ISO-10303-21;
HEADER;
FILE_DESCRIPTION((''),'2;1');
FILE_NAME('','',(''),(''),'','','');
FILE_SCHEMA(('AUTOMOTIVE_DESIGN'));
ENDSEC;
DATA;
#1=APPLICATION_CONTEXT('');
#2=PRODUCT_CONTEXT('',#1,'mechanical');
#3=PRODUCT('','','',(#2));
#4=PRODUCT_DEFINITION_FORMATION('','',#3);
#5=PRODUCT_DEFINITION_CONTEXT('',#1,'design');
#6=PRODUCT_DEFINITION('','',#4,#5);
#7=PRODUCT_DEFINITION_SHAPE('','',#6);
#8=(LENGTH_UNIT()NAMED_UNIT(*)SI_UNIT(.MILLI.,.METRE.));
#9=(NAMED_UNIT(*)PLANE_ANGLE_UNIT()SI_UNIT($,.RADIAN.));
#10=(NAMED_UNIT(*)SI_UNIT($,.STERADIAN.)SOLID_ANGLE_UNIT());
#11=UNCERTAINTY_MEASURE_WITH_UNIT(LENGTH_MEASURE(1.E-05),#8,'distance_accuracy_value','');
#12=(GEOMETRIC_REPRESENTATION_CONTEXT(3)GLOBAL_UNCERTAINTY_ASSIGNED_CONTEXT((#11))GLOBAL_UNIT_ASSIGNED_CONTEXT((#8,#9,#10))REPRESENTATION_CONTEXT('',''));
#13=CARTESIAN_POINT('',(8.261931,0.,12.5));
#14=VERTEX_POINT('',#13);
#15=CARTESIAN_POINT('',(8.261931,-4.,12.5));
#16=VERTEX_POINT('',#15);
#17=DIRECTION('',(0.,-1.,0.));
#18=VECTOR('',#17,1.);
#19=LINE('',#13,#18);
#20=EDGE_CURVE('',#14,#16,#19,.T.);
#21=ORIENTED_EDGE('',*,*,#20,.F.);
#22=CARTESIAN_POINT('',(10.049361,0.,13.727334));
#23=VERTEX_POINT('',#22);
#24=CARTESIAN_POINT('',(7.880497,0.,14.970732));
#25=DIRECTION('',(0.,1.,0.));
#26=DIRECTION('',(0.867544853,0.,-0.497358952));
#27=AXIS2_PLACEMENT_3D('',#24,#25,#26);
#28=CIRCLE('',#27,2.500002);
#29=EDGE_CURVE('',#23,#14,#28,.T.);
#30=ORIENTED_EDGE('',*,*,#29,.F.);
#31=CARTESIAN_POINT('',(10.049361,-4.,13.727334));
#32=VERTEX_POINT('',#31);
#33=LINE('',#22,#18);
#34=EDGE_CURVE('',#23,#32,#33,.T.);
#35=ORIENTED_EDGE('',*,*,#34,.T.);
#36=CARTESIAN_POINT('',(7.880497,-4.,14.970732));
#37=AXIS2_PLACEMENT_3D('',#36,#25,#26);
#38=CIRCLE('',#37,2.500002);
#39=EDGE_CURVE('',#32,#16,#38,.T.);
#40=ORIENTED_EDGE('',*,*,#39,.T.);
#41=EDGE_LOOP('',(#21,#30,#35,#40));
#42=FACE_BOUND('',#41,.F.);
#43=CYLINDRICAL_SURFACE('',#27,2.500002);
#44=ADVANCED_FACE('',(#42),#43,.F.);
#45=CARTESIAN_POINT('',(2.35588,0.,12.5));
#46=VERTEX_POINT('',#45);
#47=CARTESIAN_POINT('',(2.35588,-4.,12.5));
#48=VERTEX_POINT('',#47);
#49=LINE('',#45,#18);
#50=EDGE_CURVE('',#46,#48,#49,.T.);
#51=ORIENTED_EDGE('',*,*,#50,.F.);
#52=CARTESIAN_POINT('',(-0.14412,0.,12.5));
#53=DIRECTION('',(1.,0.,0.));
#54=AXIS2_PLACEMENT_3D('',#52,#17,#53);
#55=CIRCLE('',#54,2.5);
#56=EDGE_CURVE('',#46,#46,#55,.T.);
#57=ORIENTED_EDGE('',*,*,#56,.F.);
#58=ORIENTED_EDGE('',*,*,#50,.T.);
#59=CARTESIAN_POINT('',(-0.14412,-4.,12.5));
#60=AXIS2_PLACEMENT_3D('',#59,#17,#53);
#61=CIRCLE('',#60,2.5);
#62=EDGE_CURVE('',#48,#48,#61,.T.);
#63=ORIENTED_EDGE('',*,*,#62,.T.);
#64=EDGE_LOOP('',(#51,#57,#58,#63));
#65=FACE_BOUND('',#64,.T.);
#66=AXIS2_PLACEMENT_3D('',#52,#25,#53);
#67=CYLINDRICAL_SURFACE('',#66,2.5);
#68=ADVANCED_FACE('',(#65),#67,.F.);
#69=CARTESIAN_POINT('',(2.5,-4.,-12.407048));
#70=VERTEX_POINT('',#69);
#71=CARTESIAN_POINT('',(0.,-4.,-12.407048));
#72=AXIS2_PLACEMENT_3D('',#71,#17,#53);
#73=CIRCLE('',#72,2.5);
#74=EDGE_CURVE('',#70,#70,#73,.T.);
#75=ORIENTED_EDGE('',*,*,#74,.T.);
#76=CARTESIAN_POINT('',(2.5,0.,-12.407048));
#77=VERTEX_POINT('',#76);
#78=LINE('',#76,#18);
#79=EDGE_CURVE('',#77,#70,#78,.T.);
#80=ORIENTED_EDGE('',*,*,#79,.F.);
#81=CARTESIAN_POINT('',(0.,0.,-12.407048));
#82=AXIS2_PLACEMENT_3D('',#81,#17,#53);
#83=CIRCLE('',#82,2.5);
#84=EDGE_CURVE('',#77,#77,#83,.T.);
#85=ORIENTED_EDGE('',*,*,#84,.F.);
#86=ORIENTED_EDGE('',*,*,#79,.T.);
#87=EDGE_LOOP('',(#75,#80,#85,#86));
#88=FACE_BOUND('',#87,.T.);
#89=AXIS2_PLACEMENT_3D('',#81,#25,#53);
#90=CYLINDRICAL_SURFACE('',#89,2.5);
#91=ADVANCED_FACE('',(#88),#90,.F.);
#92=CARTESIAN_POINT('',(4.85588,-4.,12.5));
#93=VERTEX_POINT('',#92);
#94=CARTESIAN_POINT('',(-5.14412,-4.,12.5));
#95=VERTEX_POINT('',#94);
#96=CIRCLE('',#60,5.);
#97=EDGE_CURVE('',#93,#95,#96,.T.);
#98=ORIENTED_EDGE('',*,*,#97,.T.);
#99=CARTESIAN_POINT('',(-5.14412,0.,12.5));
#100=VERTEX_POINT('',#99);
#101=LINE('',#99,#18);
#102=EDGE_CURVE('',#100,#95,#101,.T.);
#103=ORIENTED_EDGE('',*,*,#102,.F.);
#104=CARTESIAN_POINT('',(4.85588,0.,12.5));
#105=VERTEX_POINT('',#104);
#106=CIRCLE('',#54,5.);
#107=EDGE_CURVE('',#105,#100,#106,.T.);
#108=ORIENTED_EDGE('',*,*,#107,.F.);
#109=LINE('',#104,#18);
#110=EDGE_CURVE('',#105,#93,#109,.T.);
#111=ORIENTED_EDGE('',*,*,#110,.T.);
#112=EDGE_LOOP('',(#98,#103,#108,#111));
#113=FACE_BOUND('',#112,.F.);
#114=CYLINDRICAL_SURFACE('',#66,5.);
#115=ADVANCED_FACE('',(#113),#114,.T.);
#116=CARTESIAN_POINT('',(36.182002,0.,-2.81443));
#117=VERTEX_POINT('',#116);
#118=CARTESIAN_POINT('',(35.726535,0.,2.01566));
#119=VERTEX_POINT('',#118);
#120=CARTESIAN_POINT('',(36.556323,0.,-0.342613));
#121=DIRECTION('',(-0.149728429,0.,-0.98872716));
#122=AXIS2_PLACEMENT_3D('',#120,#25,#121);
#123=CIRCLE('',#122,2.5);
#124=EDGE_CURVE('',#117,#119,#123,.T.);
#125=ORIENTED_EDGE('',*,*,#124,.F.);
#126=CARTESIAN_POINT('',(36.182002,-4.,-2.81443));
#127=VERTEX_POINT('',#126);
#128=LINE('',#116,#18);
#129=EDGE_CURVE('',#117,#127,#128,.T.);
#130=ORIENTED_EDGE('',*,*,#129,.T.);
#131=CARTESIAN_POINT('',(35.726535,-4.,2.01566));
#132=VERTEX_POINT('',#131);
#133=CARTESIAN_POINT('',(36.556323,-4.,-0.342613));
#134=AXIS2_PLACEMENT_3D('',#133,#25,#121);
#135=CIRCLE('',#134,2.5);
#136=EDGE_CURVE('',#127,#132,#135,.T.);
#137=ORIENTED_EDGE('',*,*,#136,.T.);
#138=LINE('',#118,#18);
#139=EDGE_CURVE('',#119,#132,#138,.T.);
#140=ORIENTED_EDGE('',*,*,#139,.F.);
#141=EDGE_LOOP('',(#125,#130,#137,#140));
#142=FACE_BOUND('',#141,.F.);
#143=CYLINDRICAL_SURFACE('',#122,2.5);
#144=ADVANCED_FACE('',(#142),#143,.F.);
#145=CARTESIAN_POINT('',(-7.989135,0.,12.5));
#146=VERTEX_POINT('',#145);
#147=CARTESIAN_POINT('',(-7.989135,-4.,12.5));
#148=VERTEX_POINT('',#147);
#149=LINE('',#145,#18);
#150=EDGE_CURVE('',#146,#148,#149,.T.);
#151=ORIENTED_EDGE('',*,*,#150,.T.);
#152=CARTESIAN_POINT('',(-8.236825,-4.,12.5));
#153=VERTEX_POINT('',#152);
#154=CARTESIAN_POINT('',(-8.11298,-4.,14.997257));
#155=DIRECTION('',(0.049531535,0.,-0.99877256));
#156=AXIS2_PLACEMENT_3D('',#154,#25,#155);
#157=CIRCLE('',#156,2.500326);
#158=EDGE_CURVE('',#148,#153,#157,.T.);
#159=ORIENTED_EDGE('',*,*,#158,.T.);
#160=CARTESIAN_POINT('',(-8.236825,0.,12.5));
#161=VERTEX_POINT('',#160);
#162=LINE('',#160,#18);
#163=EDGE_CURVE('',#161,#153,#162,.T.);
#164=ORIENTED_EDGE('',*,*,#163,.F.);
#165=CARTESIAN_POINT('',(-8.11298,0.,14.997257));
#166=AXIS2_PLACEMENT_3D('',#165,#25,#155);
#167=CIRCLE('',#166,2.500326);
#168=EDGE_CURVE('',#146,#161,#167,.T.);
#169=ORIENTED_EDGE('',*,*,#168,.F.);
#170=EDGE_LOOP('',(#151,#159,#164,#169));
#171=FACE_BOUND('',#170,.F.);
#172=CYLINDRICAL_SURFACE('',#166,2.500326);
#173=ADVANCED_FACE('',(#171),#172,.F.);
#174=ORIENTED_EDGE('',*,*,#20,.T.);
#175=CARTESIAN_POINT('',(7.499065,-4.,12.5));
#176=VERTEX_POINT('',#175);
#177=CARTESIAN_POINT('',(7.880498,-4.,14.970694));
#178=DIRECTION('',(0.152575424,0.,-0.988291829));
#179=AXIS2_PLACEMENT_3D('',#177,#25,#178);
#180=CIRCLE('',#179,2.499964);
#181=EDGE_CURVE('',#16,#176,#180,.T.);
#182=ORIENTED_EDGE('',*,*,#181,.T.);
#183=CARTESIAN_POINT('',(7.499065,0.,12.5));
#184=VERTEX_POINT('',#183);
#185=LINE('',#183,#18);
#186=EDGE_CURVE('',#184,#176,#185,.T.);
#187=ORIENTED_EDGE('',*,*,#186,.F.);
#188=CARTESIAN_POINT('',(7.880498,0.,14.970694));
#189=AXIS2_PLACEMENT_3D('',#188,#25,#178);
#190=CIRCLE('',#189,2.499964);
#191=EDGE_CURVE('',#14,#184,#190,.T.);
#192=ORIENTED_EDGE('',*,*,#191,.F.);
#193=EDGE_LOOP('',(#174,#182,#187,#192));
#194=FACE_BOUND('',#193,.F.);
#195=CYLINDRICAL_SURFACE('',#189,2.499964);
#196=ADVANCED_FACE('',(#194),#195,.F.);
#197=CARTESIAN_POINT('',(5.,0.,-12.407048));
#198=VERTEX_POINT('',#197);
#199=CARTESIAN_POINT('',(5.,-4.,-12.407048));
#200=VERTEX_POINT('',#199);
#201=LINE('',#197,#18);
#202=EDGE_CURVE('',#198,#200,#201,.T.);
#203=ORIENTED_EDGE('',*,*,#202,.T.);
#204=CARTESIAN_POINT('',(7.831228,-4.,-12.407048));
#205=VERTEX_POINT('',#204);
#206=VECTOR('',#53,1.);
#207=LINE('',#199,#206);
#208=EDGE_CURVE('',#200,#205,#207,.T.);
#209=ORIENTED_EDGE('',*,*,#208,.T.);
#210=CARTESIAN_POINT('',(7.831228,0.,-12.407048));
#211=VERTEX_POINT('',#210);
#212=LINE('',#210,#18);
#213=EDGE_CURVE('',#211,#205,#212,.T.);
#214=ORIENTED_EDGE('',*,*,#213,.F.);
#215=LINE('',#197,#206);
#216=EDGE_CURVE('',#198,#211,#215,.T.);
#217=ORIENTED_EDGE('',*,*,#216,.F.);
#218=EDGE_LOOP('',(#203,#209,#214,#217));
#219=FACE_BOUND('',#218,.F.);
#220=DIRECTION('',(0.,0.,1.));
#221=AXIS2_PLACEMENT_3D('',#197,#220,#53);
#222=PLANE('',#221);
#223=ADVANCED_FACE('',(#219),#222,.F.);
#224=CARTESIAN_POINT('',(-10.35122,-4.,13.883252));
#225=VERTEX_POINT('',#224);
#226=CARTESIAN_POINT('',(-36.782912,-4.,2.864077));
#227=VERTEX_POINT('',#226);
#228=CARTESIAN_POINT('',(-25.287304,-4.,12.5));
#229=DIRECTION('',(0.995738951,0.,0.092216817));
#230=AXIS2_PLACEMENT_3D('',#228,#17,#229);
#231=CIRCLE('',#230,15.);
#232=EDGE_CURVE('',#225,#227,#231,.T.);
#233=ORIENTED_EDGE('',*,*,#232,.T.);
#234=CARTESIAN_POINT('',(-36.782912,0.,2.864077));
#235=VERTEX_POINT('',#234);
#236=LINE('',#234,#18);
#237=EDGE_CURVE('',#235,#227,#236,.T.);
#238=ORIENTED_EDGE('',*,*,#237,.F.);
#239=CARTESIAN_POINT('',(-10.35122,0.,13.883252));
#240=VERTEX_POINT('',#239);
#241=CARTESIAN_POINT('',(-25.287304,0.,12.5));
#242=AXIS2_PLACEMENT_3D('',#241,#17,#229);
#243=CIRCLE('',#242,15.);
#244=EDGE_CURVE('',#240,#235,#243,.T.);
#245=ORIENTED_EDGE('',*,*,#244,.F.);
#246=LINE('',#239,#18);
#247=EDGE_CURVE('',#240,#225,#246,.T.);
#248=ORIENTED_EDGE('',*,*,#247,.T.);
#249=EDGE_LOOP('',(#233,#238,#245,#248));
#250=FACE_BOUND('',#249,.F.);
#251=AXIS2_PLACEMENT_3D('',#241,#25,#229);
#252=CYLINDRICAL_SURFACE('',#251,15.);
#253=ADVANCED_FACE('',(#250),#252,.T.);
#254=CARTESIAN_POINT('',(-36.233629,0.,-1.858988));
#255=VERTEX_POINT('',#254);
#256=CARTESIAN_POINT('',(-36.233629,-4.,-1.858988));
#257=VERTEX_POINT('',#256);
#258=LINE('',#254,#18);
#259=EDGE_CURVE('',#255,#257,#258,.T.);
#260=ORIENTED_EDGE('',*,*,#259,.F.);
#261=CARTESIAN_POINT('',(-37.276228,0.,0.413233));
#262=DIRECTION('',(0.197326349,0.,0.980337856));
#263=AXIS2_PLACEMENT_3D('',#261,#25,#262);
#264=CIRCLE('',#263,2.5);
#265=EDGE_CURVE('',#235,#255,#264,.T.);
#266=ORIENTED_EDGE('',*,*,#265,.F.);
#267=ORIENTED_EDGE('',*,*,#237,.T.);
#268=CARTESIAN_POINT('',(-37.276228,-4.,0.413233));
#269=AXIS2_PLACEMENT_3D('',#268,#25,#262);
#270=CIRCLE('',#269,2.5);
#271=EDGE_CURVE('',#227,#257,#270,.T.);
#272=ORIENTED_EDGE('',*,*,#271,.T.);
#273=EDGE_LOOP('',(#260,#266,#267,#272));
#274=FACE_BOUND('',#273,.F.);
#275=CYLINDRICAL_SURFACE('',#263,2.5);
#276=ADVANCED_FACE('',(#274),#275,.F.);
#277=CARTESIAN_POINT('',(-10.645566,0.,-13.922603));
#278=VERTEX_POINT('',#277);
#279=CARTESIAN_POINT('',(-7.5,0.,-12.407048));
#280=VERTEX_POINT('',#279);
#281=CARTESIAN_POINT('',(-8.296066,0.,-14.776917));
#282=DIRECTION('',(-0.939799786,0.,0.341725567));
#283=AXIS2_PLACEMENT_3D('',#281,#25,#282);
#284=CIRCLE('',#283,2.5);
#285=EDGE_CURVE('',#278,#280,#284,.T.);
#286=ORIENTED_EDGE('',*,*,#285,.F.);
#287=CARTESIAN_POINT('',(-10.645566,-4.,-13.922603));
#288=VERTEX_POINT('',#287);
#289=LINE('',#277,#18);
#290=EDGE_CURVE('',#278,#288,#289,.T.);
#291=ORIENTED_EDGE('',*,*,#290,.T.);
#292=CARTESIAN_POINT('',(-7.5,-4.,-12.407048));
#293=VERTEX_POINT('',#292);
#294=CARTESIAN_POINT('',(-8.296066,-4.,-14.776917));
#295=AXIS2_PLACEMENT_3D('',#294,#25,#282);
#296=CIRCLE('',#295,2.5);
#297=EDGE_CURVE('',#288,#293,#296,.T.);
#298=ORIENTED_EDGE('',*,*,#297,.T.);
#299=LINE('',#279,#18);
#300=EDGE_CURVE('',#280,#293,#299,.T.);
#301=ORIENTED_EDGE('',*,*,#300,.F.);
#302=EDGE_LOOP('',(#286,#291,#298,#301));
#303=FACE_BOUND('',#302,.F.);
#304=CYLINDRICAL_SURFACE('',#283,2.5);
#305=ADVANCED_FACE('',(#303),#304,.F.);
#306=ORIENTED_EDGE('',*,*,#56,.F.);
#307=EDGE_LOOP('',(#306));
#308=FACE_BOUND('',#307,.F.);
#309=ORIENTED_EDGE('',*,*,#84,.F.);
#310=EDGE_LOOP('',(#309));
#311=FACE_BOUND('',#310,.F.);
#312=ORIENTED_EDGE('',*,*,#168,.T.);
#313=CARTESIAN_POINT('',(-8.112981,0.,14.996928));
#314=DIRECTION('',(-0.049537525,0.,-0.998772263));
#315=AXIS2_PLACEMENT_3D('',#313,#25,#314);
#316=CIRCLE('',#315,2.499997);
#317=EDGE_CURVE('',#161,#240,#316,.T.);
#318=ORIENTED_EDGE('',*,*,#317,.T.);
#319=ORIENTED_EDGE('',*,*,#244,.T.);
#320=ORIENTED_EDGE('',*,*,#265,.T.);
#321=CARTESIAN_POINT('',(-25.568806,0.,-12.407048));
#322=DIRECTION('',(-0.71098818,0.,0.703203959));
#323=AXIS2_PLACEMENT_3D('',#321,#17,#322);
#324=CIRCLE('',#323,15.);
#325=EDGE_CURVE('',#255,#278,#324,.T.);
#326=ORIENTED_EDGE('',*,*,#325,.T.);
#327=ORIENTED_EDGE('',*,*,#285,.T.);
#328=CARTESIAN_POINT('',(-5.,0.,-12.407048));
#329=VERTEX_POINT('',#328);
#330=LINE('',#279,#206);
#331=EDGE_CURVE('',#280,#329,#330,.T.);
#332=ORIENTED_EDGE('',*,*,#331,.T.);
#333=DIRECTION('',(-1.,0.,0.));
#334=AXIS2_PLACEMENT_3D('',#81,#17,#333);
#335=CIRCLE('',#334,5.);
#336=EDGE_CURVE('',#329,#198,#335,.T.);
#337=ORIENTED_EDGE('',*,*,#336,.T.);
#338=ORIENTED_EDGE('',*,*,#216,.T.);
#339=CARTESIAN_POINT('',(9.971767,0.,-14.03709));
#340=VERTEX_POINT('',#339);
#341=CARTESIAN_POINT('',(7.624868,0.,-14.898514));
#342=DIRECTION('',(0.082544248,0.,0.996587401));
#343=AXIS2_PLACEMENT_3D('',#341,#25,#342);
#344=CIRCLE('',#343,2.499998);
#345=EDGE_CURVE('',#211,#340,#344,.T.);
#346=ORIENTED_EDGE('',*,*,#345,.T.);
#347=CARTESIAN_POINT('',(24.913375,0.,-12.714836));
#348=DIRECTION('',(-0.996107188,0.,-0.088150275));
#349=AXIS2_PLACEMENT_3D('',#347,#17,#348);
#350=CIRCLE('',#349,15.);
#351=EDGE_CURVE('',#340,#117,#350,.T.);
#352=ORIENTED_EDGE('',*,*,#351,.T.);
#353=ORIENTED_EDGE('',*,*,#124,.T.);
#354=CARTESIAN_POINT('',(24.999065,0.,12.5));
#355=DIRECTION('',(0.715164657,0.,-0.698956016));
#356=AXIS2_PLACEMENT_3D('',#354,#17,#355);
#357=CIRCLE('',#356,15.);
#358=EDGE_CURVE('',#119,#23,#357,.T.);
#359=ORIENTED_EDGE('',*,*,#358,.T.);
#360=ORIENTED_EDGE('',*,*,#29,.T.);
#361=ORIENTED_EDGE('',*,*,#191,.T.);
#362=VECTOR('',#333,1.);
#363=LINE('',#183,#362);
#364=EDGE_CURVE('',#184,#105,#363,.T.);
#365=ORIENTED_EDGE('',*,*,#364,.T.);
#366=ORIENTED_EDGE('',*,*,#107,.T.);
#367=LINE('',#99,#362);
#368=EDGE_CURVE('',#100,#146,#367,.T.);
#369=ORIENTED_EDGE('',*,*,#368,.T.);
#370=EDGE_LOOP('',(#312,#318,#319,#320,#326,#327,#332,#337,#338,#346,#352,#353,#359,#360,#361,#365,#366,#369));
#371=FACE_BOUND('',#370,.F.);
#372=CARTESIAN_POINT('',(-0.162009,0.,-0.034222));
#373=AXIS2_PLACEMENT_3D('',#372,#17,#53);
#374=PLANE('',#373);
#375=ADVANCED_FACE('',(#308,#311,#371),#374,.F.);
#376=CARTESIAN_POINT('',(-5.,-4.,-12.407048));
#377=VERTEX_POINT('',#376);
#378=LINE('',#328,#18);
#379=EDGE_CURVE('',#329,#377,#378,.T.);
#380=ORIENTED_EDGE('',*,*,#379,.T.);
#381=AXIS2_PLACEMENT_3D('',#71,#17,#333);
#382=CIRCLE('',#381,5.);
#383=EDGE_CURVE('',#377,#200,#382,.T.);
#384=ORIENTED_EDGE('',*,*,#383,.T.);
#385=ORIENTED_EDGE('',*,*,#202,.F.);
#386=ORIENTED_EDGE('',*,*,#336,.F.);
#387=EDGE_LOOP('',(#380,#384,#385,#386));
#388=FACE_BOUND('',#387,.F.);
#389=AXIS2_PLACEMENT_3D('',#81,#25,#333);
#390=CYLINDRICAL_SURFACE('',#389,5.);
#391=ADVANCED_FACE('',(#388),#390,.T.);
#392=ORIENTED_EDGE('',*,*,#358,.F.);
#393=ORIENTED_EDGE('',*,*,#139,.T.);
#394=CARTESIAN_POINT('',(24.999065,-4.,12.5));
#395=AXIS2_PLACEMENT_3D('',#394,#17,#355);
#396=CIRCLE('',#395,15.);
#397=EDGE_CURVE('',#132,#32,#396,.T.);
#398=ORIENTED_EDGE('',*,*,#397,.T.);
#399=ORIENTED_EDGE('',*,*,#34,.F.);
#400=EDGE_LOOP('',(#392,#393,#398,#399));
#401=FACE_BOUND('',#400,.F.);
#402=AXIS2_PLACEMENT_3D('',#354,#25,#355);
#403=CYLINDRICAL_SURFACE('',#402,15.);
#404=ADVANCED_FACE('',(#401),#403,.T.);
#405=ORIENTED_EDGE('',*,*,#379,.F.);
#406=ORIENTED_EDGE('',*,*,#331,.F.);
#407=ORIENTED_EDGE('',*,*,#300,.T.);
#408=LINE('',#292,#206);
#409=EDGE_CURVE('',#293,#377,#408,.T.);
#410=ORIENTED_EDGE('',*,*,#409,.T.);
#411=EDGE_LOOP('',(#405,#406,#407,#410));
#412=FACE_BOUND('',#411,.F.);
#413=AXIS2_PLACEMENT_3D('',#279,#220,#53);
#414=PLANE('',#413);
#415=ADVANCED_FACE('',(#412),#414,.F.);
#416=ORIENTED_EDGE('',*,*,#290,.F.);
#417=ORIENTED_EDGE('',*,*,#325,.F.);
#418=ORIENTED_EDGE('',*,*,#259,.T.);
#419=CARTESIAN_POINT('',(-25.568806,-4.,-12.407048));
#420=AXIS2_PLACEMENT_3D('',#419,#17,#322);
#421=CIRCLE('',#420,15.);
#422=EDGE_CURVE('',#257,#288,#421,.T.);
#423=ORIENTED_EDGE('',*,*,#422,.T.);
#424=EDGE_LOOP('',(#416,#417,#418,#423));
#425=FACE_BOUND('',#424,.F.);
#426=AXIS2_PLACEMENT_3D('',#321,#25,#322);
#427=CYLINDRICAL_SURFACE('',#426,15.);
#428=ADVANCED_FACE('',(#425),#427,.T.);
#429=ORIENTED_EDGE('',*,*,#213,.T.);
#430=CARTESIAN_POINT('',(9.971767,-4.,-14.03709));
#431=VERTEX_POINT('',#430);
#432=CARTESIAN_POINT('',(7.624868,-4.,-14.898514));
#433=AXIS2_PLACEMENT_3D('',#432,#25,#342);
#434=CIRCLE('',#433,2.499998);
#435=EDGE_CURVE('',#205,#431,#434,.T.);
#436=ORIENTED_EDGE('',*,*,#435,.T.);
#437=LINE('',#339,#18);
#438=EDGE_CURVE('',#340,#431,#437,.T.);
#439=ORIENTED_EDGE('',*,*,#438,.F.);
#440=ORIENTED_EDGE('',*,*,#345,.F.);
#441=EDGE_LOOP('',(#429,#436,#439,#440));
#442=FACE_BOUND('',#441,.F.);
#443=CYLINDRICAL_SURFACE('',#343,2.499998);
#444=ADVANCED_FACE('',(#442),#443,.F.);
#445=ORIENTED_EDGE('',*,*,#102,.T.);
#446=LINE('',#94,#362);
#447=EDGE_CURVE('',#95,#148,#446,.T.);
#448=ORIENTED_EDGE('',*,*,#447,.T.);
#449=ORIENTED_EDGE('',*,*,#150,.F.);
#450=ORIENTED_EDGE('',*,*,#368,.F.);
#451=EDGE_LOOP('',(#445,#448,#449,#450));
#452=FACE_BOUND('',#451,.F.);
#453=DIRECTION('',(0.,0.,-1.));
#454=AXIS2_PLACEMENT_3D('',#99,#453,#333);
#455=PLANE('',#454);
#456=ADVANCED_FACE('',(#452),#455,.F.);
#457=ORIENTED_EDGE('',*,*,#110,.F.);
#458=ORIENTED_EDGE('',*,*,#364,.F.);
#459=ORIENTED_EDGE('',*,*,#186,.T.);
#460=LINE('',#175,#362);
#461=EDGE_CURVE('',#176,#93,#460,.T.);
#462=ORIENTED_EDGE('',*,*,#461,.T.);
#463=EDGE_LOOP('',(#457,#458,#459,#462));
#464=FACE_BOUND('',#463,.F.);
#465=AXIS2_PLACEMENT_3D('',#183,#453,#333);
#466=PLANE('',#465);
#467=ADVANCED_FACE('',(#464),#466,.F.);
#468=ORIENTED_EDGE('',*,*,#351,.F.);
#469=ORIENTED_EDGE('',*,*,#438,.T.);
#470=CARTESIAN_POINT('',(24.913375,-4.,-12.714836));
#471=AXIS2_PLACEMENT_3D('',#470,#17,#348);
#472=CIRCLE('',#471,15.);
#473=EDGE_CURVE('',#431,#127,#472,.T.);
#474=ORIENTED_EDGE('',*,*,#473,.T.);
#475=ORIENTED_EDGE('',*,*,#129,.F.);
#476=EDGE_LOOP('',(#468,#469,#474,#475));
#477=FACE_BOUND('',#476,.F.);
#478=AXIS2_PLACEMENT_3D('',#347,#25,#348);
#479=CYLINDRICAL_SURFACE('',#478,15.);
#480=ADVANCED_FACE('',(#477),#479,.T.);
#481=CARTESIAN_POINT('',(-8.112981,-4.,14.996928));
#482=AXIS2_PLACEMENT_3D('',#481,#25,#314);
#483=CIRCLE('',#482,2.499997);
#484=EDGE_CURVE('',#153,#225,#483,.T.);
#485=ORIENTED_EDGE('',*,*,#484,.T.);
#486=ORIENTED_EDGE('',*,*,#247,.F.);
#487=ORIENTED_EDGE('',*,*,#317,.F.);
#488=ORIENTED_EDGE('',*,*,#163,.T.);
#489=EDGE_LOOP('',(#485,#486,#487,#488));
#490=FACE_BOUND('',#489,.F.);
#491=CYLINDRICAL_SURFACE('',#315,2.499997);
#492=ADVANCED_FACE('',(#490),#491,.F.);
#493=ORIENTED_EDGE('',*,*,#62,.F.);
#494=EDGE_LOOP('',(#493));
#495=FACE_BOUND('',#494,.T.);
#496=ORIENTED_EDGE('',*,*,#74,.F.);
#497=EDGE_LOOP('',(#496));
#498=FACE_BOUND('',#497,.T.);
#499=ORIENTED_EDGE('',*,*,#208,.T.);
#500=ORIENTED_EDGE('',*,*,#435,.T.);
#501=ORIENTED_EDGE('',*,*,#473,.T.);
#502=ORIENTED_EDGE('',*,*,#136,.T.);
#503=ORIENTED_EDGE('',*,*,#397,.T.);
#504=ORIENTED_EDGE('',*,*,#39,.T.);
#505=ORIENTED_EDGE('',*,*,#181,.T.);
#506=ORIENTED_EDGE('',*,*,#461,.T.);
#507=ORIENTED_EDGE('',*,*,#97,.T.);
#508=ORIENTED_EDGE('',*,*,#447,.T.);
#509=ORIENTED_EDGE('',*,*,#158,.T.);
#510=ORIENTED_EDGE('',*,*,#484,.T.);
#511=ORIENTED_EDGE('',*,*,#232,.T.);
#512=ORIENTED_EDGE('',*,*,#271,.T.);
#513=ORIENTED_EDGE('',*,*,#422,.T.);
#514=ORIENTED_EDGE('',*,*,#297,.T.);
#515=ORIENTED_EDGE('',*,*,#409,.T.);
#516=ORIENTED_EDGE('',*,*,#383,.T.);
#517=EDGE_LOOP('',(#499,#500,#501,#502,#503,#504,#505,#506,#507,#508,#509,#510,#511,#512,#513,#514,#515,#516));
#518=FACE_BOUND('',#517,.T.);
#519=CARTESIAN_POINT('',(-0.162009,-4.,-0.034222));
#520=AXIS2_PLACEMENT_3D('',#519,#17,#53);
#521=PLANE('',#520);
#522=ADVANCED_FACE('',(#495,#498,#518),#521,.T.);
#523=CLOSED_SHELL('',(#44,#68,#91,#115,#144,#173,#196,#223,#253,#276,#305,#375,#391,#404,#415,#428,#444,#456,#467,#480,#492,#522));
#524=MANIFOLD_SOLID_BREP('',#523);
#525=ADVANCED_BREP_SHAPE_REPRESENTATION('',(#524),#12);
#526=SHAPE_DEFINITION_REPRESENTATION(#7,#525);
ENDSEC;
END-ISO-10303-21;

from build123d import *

# Parameters (mm, degrees)
F0_R     = 2.5
F1_DEPTH = 4


with BuildPart() as f1:
    # F0 (on Front) → F1 (new body)
    with BuildSketch(Plane.XZ):
        with BuildLine():
            ThreePointArc((-7.989135, 12.5), (-8.11298, 12.496931), (-8.236825, 12.5))
            ThreePointArc((-8.236825, 12.5), (-9.481632, 12.904852), (-10.35122, 13.883252))
            ThreePointArc((-10.35122, 13.883252), (-31.0592, 26.345043), (-36.782912, 2.864077))
            ThreePointArc((-36.782912, 2.864077), (-34.792965, 0.702031), (-36.233629, -1.858988))
            ThreePointArc((-36.233629, -1.858988), (-31.965386, -25.974795), (-10.645566, -13.922603))
            ThreePointArc((-10.645566, -13.922603), (-9.3812, -12.524699), (-7.5, -12.407048))
            Line((-7.5, -12.407048), (-5, -12.407048))
            ThreePointArc((-5, -12.407048), (0, -17.407048), (5, -12.407048))
            Line((5, -12.407048), (7.831228, -12.407048))
            ThreePointArc((7.831228, -12.407048), (9.139477, -12.909558), (9.971767, -14.03709))
            ThreePointArc((9.971767, -14.03709), (30.817587, -26.503972), (36.182002, -2.81443))
            ThreePointArc((36.182002, -2.81443), (34.067365, -0.577316), (35.726535, 2.01566))
            ThreePointArc((35.726535, 2.01566), (31.223825, 26.147431), (10.049361, 13.727334))
            ThreePointArc((10.049361, 13.727334), (9.295627, 12.909806), (8.261931, 12.5))
            ThreePointArc((8.261931, 12.5), (7.880498, 12.47073), (7.499065, 12.5))
            Line((7.499065, 12.5), (4.85588, 12.5))
            ThreePointArc((4.85588, 12.5), (-0.14412, 17.5), (-5.14412, 12.5))
            Line((-5.14412, 12.5), (-7.989135, 12.5))
        make_face()
        with Locations((0, -12.407048)):
            Circle(F0_R, mode=Mode.SUBTRACT)
        with Locations((-0.14412, 12.5)):
            Circle(F0_R, mode=Mode.SUBTRACT)
    extrude(amount=F1_DEPTH)


solid = f1.part
